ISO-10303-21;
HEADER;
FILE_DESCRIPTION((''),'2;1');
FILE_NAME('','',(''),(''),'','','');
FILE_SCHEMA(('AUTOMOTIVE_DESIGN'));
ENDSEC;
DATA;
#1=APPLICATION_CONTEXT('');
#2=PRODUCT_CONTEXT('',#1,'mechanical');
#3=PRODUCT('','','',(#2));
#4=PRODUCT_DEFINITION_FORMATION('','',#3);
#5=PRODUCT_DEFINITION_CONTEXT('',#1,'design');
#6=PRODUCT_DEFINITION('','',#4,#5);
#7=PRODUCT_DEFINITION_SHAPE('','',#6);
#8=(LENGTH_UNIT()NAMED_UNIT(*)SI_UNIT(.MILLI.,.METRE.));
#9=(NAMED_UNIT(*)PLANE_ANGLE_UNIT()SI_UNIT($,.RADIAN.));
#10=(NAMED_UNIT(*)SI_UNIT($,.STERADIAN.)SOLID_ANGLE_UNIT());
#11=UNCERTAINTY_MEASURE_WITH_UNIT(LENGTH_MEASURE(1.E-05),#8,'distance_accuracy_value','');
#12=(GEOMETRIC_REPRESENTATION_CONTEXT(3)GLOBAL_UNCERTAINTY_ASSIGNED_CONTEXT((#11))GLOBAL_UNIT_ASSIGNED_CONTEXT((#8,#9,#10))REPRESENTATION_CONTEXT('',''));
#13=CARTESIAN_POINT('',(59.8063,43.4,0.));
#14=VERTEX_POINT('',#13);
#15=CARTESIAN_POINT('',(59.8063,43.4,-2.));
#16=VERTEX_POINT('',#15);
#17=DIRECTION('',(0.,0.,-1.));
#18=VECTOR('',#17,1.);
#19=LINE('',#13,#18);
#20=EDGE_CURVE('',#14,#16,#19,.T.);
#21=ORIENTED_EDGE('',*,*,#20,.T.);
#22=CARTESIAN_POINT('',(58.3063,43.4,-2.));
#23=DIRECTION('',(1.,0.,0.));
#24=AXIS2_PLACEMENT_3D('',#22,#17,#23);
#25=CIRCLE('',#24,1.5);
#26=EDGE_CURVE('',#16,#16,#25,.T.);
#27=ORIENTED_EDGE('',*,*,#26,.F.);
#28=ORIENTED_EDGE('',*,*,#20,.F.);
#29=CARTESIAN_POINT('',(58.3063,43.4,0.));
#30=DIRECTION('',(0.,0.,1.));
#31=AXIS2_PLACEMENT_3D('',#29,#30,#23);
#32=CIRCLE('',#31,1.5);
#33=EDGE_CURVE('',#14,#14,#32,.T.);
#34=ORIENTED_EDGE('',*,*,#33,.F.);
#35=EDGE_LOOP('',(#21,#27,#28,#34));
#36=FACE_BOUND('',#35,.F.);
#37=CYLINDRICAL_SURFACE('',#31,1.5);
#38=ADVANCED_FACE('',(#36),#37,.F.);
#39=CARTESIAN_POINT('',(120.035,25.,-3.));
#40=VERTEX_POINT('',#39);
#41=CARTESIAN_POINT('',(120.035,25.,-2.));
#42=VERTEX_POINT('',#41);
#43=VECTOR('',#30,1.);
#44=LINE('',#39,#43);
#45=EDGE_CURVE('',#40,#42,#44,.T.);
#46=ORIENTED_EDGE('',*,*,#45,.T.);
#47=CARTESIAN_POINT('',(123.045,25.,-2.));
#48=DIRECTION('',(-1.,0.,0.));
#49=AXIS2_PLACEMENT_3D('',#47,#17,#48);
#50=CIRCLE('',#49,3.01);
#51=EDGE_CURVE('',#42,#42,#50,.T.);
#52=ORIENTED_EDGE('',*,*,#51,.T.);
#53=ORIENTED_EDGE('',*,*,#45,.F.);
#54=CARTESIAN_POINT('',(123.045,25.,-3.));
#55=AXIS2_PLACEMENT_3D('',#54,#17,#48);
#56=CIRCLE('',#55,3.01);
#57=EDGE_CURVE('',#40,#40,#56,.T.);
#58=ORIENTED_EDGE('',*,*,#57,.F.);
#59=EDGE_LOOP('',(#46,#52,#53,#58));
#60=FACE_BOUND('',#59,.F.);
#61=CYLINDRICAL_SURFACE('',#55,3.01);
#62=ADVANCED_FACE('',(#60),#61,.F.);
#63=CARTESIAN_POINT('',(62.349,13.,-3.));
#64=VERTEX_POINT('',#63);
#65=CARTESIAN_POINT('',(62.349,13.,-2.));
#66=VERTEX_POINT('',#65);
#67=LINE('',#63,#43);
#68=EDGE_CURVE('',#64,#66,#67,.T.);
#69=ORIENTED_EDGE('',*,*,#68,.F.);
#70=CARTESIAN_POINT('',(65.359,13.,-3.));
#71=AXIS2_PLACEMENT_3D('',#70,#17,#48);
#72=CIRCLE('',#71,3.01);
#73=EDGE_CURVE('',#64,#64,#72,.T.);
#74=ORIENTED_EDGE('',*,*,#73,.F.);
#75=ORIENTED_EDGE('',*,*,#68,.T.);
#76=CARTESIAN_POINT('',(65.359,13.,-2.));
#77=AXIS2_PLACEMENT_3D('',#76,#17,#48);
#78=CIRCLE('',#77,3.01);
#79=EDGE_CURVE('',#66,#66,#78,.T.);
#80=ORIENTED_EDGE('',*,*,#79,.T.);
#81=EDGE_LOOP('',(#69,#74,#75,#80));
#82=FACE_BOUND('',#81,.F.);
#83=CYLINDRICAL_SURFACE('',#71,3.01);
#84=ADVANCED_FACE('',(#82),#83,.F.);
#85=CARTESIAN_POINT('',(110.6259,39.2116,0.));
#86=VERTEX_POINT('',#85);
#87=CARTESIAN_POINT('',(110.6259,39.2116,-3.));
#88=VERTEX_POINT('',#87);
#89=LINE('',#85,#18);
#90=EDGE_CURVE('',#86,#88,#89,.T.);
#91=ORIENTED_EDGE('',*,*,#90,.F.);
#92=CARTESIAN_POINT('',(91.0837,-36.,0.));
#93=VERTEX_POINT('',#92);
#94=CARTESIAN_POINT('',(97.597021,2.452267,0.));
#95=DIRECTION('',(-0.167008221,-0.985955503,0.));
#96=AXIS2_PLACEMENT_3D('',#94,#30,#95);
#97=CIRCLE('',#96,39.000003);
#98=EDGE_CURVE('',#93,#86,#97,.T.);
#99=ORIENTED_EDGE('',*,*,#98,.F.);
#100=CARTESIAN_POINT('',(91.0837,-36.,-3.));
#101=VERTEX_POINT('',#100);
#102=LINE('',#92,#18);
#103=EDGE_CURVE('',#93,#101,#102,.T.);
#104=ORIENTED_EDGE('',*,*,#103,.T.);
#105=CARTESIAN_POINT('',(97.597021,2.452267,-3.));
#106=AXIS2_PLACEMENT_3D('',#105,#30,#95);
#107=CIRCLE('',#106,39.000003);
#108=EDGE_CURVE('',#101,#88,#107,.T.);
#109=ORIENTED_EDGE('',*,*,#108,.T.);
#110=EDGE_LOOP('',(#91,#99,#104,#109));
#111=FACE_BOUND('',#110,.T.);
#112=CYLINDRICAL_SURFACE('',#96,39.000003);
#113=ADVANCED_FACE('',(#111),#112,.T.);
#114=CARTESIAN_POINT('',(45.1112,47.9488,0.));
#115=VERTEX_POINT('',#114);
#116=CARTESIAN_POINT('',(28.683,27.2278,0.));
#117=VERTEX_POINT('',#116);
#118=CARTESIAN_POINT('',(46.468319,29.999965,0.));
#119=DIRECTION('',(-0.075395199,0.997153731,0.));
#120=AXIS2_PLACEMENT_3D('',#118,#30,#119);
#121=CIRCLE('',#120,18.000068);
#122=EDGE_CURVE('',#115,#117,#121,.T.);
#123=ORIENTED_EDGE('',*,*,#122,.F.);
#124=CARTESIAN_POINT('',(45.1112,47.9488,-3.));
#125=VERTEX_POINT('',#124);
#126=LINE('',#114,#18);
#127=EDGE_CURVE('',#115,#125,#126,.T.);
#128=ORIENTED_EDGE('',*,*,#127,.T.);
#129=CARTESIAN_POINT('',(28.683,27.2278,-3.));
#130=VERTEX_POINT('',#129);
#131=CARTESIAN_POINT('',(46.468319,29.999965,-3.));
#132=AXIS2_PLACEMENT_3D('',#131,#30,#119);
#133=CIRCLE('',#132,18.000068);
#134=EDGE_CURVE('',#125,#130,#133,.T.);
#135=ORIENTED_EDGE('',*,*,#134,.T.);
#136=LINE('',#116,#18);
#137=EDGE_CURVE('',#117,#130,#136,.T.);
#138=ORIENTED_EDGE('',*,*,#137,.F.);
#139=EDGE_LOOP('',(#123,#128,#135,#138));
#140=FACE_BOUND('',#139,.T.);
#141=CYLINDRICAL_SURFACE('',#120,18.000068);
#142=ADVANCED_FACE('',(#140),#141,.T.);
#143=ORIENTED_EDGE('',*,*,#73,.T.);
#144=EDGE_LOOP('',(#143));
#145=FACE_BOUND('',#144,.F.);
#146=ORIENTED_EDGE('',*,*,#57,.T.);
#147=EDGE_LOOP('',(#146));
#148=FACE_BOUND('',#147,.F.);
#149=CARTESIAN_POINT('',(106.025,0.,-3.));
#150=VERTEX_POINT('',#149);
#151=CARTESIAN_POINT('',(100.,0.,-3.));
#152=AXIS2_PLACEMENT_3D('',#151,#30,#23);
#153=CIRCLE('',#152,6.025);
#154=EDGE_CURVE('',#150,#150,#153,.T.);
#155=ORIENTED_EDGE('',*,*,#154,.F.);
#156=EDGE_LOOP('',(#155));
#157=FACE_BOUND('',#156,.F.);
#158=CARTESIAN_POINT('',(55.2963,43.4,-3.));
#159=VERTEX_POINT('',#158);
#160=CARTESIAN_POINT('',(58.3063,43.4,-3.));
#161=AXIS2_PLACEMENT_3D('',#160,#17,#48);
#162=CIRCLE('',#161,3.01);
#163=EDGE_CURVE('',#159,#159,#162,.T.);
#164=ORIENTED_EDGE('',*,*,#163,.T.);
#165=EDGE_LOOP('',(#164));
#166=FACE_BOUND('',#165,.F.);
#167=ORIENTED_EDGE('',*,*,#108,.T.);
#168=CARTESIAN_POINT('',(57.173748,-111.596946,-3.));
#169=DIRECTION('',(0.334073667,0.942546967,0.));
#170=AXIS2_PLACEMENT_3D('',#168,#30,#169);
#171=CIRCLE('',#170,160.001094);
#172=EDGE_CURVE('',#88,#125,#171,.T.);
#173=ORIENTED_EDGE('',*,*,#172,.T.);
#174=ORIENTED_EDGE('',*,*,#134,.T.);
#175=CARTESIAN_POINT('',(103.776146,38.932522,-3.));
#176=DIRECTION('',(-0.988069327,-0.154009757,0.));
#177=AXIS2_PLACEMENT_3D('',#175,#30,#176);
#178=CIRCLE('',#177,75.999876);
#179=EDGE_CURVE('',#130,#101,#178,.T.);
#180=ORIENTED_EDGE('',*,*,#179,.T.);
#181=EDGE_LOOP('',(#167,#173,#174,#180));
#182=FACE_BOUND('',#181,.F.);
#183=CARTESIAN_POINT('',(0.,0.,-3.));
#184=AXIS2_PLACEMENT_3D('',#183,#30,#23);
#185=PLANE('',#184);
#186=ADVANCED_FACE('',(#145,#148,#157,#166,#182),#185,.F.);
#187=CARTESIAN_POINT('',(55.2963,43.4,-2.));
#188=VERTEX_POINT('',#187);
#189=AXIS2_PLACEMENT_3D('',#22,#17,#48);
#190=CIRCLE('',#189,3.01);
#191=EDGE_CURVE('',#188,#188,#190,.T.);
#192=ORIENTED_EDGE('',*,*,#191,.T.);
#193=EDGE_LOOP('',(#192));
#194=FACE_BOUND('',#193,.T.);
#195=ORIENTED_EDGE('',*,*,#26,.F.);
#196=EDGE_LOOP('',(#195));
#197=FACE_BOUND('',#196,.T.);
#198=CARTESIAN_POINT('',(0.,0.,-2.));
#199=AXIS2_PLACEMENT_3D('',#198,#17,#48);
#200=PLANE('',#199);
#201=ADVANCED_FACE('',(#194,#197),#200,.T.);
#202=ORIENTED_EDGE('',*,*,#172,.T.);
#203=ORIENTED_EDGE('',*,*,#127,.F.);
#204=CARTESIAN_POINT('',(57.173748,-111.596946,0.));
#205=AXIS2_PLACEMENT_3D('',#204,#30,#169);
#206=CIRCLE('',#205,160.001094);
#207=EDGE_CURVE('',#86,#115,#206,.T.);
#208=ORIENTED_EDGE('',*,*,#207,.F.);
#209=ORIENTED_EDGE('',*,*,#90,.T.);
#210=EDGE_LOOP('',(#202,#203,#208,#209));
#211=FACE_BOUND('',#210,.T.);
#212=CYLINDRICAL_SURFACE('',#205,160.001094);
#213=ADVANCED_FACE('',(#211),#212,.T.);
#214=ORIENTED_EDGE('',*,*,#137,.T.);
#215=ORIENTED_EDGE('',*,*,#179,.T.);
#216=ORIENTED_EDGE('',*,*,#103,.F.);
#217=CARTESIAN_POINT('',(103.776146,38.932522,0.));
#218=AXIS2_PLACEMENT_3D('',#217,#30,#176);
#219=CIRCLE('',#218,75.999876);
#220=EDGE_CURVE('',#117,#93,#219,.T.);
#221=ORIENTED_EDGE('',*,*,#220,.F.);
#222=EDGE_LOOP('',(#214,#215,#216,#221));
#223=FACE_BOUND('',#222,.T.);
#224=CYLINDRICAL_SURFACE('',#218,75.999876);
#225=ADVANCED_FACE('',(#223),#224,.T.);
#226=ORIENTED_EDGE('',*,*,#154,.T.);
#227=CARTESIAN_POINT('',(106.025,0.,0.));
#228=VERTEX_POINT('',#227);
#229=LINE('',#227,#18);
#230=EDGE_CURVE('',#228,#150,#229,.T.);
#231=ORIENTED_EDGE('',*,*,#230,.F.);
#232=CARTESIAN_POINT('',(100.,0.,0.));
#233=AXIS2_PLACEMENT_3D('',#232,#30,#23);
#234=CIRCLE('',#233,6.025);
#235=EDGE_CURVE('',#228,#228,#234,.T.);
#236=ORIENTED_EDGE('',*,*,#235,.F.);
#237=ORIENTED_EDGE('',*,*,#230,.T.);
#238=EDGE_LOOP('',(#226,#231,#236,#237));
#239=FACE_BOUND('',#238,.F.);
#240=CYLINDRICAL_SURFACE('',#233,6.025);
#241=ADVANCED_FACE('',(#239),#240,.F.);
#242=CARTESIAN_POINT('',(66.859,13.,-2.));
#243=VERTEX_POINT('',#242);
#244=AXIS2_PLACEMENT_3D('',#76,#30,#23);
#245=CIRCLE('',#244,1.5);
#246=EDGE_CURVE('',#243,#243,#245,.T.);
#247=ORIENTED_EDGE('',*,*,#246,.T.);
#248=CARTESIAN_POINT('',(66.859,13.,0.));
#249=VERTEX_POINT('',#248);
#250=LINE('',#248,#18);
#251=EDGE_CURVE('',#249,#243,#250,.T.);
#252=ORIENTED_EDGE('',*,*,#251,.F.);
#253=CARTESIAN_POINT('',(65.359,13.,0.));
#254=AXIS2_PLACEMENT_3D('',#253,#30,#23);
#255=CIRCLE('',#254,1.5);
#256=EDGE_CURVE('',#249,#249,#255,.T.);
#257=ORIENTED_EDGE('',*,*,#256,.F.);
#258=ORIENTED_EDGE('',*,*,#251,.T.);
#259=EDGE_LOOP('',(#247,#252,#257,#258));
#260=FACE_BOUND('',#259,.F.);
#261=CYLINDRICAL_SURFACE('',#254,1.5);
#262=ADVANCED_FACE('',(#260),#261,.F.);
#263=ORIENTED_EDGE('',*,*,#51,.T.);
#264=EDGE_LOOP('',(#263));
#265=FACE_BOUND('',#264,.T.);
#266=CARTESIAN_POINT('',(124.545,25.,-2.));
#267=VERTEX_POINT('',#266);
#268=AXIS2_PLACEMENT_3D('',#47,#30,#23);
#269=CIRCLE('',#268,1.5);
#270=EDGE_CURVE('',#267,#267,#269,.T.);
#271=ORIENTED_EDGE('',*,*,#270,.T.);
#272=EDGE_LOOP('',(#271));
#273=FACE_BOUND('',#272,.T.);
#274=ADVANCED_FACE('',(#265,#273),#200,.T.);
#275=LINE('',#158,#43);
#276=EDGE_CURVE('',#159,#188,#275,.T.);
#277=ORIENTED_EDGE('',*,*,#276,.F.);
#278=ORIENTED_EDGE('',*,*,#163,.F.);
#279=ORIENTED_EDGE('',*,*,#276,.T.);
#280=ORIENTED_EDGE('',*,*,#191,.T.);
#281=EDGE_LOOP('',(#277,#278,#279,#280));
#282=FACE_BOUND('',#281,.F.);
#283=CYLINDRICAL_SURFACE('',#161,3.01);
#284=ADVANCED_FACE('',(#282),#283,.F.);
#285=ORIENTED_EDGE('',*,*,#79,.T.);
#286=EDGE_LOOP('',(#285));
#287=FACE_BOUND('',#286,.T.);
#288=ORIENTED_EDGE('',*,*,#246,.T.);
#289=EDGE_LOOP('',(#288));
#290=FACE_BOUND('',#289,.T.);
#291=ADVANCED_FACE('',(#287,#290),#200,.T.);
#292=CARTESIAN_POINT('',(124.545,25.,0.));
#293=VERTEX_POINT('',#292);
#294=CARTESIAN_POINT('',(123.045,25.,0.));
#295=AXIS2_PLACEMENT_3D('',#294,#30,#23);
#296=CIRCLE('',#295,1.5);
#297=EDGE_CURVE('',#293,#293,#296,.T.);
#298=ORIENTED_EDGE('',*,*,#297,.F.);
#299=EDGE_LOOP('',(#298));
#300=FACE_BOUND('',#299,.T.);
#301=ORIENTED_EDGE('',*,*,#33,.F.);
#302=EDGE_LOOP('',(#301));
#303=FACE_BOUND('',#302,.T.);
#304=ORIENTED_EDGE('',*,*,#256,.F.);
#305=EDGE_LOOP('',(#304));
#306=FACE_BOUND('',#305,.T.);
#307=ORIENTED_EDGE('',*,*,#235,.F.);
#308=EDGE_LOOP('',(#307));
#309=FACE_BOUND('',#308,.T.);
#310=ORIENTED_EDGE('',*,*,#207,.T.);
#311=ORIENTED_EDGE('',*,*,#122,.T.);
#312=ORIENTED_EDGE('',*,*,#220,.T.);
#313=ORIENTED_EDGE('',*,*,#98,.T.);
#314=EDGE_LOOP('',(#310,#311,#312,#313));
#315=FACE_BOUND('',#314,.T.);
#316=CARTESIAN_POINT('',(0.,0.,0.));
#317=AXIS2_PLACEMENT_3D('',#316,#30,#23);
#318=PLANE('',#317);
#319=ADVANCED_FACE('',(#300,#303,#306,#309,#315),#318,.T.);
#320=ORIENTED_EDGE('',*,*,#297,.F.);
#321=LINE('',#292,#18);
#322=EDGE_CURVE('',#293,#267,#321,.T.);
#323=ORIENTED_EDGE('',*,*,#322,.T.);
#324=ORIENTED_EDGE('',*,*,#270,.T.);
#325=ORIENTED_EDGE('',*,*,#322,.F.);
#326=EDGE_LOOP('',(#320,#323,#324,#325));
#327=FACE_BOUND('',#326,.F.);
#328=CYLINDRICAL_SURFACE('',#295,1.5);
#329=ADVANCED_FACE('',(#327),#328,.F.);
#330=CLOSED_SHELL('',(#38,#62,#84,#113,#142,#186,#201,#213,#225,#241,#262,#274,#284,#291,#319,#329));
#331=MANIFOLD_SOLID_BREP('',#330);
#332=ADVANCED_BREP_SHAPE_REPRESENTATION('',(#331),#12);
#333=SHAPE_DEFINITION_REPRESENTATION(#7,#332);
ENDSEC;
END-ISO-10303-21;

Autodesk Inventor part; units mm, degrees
ref_plane "YZ Plane" through (0, 0, 0) normal (1, 0, 0) x (0, 1, 0)
ref_plane "XZ Plane" through (0, 0, 0) normal (0, 1, 0) x (-1, 0, 0)
ref_plane "XY Plane" through (0, 0, 0) normal (0, 0, 1) x (1, 0, 0)
sketch "Sketch1" plane through (0, 0, 0) normal (0, 0, 1) x (1, 0, 0)
  circle A0 centre (46.4683, 30) radius 14 construction
  circle A1 centre (66.4734, 20) radius 20.5 construction
  circle A2 centre (100, 0) radius 30 construction
  arc A3 (45.1112, 47.9488) -> (28.683, 27.2278) centre (46.4683, 30) ccw
  arc A4 (110.6259, 39.2116) -> (45.1112, 47.9488) centre (57.174, -111.5959) ccw
  arc A5 (91.0837, -36) -> (110.6259, 39.2116) centre (97.597, 2.4523) ccw
  arc A6 (28.683, 27.2278) -> (91.0837, -36) centre (103.7763, 38.9326) ccw
  line L0 (-13.9923, -60) -> (152.4896, -60) construction
  arc A7 (129.7918, 13.3835) -> (111.9633, 33.268) centre (97.597, 2.4523) ccw construction
  circle A8 centre (123.045, 25) radius 1.5
  circle A9 centre (100, 0) radius 3 construction
  arc A10 (93.5085, 39.0853) -> (53.6593, 43.3643) centre (57.174, -111.5959) ccw construction
  circle A11 centre (58.3063, 43.4) radius 1.5
  circle A12 centre (100, 0) radius 6.025
  circle A13 centre (65.359, 13) radius 1.5
  point P0 (0, 0)
  point P1 (0, 0)
  point P2 (78.3247, 47)
  dimension "d0" = 4
  dimension "d1" = 160
  dimension "d2" = 60
  dimension "d3" = 24
  dimension "d4" = 76
  dimension "d5" = 39
  dimension "d6" = 5
  dimension "d7" = 3
  dimension "d10" = 6
  dimension "d12" = 5
  dimension "d13" = 3
  dimension "d14" = 43.4
  dimension "d15" = 47
  dimension "d16" = 25
  dimension "d17" = 30
  dimension "d18" = 100
  dimension "d21" = 12.05
  dimension "d22" = 3
  dimension "d23" = 37
  dimension "d24" = 13
extrude "Extrusion1" add sketch "Sketch1" against normal blind 3
sketch "Sketch2" plane through (0, 0, -3) normal (0, 0, -1) x (-1, 0, 0)
  circle A0 centre (-123.045, 25) radius 3.01
  circle A1 centre (-58.3063, 43.4) radius 1.5 projected
  circle A2 centre (-58.3063, 43.4) radius 3.01
  circle A3 centre (-65.359, 13) radius 3.01
  point P0 (0, 0)
  point P1 (-100, 0)
  dimension "d25" = 6.02
  dimension "d26" = 6.02
  dimension "d27" = 6.02
extrude "Extrusion2" cut sketch "Sketch2" against normal blind 1
sketch "Sketch4" plane through (0, 0, -3) normal (0, 0, -1) x (-1, 0, 0)
  circle A0 centre (100, 0) radius 28
  line L0 (0, 0) -> (100, 0) construction
  circle A1 centre (100, 0) radius 30 construction
  circle A2 centre (66.4734, 20) radius 7
  circle A3 centre (66.4734, 20) radius 9 construction
  circle A4 centre (66.4734, 20) radius 20
  circle A5 centre (66.4734, 20) radius 20.5 construction
  circle A6 centre (46.4683, 30) radius 2
  circle A7 centre (46.4683, 30) radius 2.5 construction
  circle A8 centre (46.4683, 30) radius 14
  line L1 (0, 0) -> (0, 28) construction
  circle A9 centre (-66.4734, 20) radius 20.5 construction
  circle A10 centre (-46.4683, 30) radius 14 construction
  circle A11 centre (-100, 0) radius 30 construction
  circle A12 centre (-65.359, 13) radius 3.01 projected
  circle A13 centre (-58.3063, 43.4) radius 3.01 projected
  circle A14 centre (-123.045, 25) radius 3.01 projected
  arc A15 (-91.0837, -36) -> (-28.683, 27.2278) centre (-103.7763, 38.9326) ccw projected
  arc A16 (-28.683, 27.2278) -> (-45.1112, 47.9488) centre (-46.4683, 30) ccw projected
  arc A17 (-45.1112, 47.9488) -> (-110.6259, 39.2116) centre (-57.174, -111.5959) ccw projected
  arc A18 (-110.6259, 39.2116) -> (-91.0837, -36) centre (-97.597, 2.4523) ccw projected
  circle A19 centre (-100, 0) radius 6.025 projected
  arc A20 (-45.4882, 42.963) -> (-108.9556, 34.4989) centre (-57.174, -111.5959) ccw
  arc A21 (-33.6234, 27.9979) -> (-45.4882, 42.963) centre (-46.4683, 30) ccw
  arc A22 (-91.9188, -31.0702) -> (-33.6234, 27.9979) centre (-103.7763, 38.9326) ccw
  arc A23 (-108.9556, 34.4989) -> (-91.9188, -31.0702) centre (-97.597, 2.4523) ccw
  dimension "d36" = 56
  dimension "d37" = 100
  dimension "d38" = 60
  dimension "d39" = 14
  dimension "d40" = 18
  dimension "d41" = 40
  dimension "d42" = 41
  dimension "d43" = 4
  dimension "d44" = 5
  dimension "d45" = 22.3653
  dimension "d46" = 28
  dimension "d47" = 39.0388
  dimension "d48" = 20
  dimension "d49" = 30
  dimension "d50" = 5
properties part number "足外フレーム" material "Polycarbonate, Clear"
